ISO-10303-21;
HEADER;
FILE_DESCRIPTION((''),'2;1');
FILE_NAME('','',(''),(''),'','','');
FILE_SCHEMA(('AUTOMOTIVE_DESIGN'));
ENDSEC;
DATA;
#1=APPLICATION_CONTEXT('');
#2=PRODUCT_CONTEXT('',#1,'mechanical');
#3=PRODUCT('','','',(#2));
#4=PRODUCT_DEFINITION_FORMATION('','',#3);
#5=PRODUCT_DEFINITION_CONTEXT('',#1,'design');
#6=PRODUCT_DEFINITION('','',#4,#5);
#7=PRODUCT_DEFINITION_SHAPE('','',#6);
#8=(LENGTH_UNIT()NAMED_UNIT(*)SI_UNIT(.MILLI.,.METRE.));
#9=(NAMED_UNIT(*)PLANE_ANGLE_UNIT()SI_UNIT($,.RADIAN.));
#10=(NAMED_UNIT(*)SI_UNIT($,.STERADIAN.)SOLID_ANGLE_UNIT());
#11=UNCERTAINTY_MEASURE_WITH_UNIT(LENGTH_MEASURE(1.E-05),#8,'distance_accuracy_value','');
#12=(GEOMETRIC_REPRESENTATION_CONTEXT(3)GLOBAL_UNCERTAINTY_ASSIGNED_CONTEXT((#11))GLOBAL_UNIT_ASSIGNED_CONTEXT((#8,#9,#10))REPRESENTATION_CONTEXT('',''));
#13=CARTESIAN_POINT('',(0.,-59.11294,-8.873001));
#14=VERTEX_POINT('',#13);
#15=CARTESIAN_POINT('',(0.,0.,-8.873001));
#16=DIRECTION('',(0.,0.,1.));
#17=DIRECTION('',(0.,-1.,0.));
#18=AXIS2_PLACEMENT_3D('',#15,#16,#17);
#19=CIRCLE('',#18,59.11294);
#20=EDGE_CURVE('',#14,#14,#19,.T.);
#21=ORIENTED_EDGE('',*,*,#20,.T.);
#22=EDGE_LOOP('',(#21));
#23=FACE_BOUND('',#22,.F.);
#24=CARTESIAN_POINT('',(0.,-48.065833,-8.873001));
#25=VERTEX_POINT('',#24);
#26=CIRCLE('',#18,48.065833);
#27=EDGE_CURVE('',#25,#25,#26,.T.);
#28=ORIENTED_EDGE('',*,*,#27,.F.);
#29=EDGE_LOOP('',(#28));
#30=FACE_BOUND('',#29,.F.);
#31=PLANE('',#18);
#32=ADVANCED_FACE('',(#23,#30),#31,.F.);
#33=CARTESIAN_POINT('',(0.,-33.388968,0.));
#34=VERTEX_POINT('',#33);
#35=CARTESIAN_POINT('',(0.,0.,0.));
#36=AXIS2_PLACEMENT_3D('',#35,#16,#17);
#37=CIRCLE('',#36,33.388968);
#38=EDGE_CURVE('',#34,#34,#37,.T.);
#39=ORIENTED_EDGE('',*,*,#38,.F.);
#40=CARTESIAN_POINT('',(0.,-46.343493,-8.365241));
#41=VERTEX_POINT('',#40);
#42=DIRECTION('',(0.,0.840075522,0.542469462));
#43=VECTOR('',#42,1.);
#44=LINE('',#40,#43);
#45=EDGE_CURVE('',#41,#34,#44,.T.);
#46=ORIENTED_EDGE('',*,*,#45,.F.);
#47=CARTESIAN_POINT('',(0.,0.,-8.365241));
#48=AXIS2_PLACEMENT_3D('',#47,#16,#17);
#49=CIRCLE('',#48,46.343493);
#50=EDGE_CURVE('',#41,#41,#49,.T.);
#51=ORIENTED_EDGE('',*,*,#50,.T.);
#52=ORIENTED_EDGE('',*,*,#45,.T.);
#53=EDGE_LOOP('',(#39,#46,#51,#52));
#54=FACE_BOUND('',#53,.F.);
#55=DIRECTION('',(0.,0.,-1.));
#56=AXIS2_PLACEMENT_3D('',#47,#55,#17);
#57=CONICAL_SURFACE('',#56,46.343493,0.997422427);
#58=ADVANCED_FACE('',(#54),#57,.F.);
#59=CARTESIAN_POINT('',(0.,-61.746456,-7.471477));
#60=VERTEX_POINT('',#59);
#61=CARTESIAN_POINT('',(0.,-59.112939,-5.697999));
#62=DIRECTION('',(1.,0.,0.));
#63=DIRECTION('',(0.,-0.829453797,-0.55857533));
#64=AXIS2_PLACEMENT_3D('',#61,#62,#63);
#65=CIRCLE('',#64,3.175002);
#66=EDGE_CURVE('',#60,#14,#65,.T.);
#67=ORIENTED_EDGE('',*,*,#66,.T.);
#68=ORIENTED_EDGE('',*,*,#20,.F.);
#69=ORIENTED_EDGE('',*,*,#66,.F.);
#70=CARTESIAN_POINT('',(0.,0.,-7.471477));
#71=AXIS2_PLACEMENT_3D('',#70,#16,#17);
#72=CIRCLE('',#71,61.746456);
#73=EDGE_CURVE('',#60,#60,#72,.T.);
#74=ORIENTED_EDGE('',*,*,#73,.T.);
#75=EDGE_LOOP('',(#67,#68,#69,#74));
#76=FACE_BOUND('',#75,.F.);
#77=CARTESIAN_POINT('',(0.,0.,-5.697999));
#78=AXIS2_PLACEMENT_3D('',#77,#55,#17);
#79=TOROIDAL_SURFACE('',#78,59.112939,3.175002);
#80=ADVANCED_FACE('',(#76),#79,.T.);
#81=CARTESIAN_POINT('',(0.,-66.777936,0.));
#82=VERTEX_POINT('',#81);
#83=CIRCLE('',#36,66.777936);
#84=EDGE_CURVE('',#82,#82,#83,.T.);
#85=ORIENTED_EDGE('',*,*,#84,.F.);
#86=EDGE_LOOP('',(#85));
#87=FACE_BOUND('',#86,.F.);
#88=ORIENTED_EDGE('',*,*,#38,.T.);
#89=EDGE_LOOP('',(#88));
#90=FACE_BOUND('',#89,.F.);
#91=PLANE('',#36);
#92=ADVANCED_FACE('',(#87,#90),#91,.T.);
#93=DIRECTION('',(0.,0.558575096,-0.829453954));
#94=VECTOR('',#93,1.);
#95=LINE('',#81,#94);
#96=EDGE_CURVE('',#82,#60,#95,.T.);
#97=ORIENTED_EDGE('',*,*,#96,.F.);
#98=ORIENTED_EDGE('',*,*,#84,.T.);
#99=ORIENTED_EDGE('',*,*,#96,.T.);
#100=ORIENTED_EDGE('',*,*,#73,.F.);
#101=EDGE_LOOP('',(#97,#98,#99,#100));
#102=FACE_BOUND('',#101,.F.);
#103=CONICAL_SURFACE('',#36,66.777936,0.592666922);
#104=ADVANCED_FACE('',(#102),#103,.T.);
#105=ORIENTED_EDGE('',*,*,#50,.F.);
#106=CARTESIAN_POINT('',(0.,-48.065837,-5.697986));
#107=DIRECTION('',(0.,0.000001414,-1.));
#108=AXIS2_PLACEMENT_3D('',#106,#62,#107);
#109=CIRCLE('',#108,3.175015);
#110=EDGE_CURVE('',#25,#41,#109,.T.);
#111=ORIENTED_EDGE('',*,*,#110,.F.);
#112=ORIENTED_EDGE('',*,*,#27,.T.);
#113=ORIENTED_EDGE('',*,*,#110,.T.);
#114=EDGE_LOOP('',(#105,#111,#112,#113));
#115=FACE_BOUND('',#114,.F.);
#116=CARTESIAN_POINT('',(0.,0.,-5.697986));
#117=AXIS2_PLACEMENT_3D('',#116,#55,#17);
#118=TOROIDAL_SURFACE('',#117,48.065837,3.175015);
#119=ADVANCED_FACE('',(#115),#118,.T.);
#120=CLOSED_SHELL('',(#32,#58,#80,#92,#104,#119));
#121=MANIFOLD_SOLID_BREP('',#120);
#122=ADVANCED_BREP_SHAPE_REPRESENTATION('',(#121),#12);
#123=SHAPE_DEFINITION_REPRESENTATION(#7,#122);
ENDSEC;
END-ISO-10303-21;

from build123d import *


with BuildPart() as f1:
    # F0 (on Right) → F1 (revolve)
    with BuildSketch(Plane.YZ):
        with BuildLine():
            Line((-46.343493, -8.365241), (-33.388968, 0))
            Line((-33.388968, 0), (-66.777936, 0))
            Line((-66.777936, 0), (-61.746456, -7.471477))
            ThreePointArc((-61.746456, -7.471477), (-60.604556, -8.500804), (-59.11294, -8.873001))
            Line((-59.11294, -8.873001), (-48.065833, -8.873001))
            ThreePointArc((-48.065833, -8.873001), (-47.16802, -8.743416), (-46.343493, -8.365241))
        make_face()
    revolve(axis=Axis((0, 0, 1.647792), (0, 0, 1)))


solid = f1.part
